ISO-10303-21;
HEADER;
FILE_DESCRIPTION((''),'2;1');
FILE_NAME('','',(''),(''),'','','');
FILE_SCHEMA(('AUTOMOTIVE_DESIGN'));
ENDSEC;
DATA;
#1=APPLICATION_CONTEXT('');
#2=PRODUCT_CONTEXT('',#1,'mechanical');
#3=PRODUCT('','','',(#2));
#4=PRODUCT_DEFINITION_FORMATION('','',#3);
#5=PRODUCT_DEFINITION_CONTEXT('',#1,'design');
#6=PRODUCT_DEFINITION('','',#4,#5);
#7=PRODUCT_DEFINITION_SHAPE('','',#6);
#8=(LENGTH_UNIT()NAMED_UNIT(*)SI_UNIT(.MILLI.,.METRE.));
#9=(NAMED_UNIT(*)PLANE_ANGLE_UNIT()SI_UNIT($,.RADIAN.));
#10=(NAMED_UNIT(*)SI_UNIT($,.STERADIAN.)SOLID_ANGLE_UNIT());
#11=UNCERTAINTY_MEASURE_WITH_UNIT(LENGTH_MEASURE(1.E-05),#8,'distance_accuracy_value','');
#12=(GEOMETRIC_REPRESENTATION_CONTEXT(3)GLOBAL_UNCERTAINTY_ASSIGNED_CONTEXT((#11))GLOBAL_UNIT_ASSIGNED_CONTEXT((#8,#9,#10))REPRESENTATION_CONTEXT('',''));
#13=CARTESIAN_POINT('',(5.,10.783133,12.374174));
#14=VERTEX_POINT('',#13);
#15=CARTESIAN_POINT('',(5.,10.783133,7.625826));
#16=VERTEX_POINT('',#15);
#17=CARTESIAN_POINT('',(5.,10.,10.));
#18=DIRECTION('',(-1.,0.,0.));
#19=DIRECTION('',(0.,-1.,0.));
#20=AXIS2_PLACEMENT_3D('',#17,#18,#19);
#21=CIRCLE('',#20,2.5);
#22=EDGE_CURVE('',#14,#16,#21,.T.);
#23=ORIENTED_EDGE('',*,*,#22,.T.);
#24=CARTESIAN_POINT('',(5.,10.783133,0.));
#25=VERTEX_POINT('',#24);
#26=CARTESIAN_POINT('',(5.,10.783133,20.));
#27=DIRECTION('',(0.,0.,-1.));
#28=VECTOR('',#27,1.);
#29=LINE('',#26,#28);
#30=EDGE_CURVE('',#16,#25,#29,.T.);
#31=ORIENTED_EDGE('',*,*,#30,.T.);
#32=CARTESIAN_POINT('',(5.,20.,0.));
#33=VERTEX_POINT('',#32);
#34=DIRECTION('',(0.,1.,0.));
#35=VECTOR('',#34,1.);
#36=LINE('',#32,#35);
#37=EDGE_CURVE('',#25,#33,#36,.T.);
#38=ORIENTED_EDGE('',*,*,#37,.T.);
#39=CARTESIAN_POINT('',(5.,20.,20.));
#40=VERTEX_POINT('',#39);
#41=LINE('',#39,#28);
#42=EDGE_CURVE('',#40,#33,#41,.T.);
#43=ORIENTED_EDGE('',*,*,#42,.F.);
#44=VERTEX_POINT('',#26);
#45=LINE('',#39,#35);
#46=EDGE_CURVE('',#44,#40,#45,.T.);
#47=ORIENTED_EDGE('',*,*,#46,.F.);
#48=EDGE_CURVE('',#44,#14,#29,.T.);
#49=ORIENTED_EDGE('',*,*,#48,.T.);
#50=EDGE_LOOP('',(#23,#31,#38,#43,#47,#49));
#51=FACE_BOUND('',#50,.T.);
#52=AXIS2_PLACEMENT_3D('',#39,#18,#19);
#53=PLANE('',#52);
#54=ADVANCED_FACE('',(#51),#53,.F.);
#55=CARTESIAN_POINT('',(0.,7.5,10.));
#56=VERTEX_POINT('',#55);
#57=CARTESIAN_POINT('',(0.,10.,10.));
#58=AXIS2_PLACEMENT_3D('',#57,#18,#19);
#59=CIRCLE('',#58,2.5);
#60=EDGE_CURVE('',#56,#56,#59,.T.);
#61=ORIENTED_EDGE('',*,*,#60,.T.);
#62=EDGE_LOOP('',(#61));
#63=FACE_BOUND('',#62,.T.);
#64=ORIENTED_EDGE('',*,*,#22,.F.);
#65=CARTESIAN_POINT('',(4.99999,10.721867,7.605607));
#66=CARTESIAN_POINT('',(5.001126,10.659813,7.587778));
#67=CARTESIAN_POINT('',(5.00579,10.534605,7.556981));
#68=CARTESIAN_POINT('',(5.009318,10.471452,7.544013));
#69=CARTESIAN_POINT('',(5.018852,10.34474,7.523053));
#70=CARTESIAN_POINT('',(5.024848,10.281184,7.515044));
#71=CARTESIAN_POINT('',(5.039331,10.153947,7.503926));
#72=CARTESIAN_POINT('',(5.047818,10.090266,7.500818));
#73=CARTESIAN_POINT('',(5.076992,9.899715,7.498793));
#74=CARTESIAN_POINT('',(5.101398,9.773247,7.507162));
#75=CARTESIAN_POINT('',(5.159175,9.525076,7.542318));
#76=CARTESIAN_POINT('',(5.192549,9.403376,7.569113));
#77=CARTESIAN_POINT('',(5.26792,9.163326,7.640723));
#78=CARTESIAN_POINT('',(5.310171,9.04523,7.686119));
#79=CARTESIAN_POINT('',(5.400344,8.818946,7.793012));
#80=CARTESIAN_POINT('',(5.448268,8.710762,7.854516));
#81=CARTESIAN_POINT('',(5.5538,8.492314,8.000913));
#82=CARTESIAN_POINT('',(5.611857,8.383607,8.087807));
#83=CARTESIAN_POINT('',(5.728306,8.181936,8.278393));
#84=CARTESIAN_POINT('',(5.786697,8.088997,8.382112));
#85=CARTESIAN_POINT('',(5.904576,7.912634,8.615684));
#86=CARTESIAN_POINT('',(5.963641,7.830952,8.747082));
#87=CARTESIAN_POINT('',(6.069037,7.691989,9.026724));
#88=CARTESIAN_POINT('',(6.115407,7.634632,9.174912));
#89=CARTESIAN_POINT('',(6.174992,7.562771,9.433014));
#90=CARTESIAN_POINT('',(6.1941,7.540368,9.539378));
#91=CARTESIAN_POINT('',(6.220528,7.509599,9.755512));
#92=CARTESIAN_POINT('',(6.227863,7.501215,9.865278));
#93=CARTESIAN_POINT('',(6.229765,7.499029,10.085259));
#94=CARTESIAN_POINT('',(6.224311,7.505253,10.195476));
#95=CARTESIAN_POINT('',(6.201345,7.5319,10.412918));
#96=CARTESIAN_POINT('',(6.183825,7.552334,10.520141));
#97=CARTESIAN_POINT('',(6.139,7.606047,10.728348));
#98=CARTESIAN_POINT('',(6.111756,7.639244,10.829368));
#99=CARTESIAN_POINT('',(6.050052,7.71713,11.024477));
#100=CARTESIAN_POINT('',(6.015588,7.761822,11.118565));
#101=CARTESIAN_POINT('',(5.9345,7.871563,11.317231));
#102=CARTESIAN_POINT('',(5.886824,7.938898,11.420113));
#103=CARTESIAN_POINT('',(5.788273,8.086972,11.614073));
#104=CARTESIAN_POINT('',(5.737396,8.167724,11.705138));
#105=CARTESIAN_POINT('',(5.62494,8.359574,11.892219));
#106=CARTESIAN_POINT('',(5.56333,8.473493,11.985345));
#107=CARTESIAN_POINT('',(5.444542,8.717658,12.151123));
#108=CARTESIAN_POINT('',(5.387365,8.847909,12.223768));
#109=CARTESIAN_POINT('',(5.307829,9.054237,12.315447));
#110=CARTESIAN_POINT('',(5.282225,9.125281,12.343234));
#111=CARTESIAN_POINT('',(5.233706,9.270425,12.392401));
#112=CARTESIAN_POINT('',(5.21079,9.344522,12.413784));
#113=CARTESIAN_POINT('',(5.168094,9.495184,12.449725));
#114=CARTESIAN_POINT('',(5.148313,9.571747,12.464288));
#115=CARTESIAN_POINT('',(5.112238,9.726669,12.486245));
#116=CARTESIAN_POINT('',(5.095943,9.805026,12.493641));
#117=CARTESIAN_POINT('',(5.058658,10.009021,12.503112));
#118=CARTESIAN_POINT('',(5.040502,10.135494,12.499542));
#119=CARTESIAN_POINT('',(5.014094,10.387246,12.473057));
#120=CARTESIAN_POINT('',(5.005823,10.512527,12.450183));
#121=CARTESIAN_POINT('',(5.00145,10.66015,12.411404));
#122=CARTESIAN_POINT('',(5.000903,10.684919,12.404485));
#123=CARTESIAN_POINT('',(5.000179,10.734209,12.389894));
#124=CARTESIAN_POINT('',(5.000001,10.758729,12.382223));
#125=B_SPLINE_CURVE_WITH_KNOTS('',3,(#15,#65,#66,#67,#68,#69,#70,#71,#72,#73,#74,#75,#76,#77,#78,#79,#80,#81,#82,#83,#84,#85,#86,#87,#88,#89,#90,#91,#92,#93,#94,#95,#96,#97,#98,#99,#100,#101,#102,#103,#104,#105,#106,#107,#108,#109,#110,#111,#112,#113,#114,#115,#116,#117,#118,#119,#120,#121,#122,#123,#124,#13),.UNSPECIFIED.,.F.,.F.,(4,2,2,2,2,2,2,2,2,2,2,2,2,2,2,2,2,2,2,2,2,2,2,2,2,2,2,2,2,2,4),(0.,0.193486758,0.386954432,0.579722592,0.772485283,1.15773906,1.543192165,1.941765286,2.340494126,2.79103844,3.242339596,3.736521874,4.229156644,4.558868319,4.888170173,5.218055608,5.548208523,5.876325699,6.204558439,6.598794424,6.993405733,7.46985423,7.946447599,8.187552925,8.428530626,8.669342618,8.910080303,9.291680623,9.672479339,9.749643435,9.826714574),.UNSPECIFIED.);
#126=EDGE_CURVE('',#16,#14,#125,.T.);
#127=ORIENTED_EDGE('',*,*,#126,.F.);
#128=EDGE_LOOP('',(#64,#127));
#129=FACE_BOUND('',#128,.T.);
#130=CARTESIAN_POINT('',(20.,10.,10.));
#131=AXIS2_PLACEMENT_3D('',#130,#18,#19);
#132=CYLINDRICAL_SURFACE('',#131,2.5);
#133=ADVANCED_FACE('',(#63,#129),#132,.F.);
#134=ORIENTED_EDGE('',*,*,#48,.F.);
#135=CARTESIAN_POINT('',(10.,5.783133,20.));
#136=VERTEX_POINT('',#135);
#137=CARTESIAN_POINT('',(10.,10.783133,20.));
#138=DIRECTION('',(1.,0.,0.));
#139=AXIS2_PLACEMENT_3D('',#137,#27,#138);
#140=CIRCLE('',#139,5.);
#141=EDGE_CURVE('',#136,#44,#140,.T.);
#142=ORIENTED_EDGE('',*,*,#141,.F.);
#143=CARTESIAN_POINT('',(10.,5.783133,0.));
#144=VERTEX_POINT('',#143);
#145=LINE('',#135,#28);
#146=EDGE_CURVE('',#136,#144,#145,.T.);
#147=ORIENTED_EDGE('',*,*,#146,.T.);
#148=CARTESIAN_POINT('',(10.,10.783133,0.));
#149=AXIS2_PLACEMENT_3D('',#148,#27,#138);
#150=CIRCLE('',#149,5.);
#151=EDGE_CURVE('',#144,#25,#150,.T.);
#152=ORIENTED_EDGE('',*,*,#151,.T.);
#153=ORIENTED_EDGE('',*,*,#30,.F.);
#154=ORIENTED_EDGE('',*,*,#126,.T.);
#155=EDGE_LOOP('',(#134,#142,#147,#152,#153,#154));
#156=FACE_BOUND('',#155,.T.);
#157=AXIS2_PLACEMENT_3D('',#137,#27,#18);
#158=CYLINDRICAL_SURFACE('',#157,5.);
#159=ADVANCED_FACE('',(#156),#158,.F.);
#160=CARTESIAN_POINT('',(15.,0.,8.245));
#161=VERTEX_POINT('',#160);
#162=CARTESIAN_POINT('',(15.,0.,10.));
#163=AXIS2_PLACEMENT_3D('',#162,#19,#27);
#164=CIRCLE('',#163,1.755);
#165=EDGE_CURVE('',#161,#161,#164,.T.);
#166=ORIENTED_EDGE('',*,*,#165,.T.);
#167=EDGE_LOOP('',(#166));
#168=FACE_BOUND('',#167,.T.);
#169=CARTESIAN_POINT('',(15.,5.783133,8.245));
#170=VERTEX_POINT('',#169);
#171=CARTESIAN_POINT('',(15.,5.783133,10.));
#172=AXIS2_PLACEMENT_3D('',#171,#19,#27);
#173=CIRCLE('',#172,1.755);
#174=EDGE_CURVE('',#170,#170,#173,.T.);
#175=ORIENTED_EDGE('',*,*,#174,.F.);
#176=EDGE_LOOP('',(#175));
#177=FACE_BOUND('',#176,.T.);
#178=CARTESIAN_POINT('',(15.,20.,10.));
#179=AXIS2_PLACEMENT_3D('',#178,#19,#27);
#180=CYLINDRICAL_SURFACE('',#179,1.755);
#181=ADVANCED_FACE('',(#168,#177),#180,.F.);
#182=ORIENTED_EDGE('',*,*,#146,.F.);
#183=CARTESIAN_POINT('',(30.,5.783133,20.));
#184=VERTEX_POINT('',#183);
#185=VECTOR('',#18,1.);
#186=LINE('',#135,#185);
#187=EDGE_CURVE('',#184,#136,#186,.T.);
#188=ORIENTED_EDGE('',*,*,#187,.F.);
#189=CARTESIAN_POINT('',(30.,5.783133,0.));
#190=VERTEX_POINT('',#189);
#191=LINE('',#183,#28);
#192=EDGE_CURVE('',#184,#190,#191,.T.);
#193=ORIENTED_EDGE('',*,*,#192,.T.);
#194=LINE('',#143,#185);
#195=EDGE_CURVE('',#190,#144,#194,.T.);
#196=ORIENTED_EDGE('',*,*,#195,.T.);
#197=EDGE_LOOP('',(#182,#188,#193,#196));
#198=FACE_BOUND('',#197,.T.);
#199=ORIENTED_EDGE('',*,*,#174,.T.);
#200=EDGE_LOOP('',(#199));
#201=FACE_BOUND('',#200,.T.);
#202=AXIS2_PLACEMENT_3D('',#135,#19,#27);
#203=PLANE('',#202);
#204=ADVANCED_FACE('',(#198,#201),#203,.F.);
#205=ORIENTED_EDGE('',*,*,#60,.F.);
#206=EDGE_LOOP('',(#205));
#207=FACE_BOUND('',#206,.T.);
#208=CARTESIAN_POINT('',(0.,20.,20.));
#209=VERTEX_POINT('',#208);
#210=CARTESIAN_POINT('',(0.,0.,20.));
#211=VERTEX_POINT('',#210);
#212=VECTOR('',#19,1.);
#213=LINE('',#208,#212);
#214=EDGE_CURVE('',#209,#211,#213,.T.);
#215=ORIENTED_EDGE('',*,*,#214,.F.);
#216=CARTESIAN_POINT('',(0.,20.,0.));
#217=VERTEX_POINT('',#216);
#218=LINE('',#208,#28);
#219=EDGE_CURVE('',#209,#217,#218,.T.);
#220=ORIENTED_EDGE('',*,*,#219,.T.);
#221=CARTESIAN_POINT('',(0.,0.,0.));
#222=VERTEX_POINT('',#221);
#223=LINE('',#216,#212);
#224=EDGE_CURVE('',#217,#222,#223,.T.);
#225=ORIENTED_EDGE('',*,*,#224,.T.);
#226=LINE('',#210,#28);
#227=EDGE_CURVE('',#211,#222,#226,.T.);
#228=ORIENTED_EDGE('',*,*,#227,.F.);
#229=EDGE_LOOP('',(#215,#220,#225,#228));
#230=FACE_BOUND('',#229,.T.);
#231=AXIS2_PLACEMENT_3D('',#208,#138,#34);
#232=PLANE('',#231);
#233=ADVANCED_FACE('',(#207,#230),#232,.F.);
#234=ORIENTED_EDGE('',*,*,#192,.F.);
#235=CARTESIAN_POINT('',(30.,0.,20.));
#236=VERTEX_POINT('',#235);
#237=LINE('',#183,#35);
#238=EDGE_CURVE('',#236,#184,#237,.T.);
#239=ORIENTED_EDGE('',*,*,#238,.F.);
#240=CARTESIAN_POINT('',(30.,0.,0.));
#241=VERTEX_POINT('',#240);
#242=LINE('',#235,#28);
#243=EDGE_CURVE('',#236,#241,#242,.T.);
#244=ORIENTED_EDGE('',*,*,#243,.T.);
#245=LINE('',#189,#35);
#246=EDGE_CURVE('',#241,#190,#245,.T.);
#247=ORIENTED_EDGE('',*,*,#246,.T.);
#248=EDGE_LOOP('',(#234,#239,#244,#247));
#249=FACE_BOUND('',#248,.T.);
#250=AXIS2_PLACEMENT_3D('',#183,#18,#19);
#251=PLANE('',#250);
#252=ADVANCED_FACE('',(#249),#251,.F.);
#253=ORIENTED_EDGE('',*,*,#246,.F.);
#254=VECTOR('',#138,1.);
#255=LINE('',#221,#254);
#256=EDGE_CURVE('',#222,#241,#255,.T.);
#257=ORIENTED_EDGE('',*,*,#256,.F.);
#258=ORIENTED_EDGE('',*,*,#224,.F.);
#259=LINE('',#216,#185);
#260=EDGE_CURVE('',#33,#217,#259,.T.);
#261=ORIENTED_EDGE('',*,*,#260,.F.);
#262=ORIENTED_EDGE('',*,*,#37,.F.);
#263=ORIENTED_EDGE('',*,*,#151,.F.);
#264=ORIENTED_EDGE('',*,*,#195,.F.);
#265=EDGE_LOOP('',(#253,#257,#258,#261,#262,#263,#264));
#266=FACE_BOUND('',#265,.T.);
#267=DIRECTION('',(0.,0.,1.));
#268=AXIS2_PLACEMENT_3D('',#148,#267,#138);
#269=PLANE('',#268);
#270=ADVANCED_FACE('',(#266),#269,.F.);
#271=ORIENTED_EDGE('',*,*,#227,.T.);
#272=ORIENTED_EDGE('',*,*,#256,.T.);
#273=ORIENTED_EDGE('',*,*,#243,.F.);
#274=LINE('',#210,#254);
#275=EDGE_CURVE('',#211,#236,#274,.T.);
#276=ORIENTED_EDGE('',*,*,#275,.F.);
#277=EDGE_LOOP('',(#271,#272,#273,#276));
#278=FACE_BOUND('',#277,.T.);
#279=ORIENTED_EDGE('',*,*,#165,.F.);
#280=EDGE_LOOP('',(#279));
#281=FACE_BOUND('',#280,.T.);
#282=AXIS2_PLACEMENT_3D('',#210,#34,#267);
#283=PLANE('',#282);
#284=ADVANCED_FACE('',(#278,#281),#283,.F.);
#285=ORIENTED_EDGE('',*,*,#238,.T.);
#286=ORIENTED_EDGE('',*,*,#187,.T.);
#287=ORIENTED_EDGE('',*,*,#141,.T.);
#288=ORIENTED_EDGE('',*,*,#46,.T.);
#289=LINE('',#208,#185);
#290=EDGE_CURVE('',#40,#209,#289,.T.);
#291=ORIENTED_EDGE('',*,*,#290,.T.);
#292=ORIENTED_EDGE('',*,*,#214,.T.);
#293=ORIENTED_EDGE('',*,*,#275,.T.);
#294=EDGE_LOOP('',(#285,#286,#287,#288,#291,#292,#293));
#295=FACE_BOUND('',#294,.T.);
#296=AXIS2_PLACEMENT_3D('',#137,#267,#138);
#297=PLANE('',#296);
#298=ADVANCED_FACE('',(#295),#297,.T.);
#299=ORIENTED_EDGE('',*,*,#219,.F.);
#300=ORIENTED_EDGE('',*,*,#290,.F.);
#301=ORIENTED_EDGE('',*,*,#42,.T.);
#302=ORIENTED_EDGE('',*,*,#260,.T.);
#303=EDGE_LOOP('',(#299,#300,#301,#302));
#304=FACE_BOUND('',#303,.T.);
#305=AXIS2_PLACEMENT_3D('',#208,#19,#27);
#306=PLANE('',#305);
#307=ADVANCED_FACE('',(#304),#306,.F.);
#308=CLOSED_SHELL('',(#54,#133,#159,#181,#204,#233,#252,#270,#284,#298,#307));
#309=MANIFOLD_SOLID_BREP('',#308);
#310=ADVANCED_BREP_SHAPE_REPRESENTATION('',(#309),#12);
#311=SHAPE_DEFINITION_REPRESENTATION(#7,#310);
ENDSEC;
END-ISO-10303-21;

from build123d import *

# Parameters (mm, degrees)
BOSS_EXTRUDE1_DEPTH = 20
SKETCH2_R           = 1.755
CUT_EXTRUDE1_DEPTH  = 20
SKETCH3_R           = 2.5
CUT_EXTRUDE2_DEPTH  = 20


with BuildPart() as part:
    # Sketch1 → Boss-Extrude1 (new body)
    with BuildSketch(Plane.XY):
        with BuildLine():
            Line((0, 20), (0, 0))
            Line((0, 0), (30, 0))
            Line((30, 0), (30, 5.78313253))
            Line((30, 5.78313253), (10, 5.78313253))
            ThreePointArc((10, 5.78313253), (6.464466094, 7.247598624), (5, 10.78313253))
            Line((5, 10.78313253), (5, 20))
            Line((5, 20), (0, 20))
        make_face()
    extrude(amount=BOSS_EXTRUDE1_DEPTH)

    # Sketch2 → Cut-Extrude1 (cut)
    with BuildSketch(Plane.XZ):
        with Locations((15, 10)):
            Circle(SKETCH2_R)
    extrude(amount=-CUT_EXTRUDE1_DEPTH, mode=Mode.SUBTRACT)

    # Sketch3 → Cut-Extrude2 (cut)
    with BuildSketch(Plane.ZY):
        with Locations((10, 10)):
            Circle(SKETCH3_R)
    extrude(amount=-CUT_EXTRUDE2_DEPTH, mode=Mode.SUBTRACT)


solid = part.part
